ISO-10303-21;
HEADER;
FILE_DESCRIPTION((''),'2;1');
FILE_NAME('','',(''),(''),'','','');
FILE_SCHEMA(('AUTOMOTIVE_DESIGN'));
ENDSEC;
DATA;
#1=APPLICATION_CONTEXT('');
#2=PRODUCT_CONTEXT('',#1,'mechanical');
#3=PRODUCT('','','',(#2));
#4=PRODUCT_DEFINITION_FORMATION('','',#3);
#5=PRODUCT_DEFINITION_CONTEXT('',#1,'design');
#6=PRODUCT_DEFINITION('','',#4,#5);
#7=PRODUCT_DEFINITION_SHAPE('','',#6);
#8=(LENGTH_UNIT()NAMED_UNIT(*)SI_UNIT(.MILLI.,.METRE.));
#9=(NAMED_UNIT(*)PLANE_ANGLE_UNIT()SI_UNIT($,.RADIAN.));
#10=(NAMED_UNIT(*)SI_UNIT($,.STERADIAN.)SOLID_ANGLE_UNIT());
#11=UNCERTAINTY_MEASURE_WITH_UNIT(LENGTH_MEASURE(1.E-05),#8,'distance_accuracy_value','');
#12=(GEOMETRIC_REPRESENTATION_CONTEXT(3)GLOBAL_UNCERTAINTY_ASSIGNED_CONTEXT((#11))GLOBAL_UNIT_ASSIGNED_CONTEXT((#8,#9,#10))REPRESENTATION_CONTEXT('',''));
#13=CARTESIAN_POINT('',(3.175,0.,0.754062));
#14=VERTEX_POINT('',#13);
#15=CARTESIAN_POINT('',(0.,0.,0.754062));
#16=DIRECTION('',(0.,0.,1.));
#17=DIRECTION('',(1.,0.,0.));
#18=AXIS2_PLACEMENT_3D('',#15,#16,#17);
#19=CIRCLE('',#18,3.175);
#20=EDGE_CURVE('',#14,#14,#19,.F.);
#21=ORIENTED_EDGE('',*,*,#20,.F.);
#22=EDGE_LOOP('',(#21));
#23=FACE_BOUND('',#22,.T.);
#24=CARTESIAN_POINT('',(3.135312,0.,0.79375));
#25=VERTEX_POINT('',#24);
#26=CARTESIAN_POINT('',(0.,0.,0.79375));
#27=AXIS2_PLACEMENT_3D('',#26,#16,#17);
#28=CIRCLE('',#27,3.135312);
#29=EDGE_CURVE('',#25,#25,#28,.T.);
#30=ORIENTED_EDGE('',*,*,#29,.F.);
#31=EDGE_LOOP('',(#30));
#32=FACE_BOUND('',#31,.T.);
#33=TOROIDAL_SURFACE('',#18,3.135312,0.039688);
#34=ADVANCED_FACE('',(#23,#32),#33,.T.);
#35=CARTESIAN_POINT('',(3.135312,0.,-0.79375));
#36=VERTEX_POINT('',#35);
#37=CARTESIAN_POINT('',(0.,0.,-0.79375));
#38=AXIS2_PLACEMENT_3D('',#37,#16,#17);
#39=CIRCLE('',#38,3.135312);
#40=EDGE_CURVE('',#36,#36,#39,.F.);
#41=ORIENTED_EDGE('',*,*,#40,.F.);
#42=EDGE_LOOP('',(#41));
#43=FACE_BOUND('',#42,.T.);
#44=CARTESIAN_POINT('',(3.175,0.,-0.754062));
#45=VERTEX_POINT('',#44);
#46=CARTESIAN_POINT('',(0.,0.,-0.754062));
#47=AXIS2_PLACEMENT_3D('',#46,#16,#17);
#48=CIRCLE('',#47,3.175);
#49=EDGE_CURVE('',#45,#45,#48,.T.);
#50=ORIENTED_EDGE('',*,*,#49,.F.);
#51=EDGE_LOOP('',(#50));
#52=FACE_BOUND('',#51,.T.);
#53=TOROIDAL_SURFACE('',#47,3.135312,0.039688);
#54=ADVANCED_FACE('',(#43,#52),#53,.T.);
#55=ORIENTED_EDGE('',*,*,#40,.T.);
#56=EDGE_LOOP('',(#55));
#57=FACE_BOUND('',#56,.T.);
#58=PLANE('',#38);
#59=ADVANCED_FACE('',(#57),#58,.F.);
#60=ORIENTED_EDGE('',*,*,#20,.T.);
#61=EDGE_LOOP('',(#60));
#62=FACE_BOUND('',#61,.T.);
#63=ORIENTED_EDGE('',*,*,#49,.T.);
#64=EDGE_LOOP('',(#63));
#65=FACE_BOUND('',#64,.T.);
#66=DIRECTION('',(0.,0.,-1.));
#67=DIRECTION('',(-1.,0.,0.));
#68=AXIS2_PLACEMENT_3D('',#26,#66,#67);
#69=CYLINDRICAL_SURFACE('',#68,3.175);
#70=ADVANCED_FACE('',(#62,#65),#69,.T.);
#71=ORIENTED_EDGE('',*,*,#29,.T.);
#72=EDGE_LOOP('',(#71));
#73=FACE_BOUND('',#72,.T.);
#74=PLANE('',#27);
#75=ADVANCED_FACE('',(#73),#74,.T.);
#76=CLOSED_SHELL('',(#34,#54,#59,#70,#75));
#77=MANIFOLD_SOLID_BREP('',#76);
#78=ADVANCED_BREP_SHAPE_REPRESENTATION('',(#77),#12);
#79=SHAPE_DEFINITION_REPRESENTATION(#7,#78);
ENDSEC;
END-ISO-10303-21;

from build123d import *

# Parameters (mm, degrees)
SKETCH3_R                = 3.175
BOSS_EXTRUDE1_DEPTH      = 0.79375
BOSS_EXTRUDE1_DEPTH_BACK = 0.79375
FILLET1_R                = 0.0396875


with BuildPart() as part:
    # Sketch3 → Boss-Extrude1 (new body, two sides)
    with BuildSketch(Plane.XY) as boss_extrude1_sk:
        Circle(SKETCH3_R)
    extrude(amount=BOSS_EXTRUDE1_DEPTH)
    extrude(boss_extrude1_sk.sketch, amount=-BOSS_EXTRUDE1_DEPTH_BACK)

    # Fillet1
    fillet1_edges = [part.edges().sort_by_distance(p)[0] for p in [
        (-3.175, 0, -0.79375),
        (-3.175, 0, 0.79375),
    ]]
    fillet(fillet1_edges, radius=FILLET1_R)


solid = part.part
